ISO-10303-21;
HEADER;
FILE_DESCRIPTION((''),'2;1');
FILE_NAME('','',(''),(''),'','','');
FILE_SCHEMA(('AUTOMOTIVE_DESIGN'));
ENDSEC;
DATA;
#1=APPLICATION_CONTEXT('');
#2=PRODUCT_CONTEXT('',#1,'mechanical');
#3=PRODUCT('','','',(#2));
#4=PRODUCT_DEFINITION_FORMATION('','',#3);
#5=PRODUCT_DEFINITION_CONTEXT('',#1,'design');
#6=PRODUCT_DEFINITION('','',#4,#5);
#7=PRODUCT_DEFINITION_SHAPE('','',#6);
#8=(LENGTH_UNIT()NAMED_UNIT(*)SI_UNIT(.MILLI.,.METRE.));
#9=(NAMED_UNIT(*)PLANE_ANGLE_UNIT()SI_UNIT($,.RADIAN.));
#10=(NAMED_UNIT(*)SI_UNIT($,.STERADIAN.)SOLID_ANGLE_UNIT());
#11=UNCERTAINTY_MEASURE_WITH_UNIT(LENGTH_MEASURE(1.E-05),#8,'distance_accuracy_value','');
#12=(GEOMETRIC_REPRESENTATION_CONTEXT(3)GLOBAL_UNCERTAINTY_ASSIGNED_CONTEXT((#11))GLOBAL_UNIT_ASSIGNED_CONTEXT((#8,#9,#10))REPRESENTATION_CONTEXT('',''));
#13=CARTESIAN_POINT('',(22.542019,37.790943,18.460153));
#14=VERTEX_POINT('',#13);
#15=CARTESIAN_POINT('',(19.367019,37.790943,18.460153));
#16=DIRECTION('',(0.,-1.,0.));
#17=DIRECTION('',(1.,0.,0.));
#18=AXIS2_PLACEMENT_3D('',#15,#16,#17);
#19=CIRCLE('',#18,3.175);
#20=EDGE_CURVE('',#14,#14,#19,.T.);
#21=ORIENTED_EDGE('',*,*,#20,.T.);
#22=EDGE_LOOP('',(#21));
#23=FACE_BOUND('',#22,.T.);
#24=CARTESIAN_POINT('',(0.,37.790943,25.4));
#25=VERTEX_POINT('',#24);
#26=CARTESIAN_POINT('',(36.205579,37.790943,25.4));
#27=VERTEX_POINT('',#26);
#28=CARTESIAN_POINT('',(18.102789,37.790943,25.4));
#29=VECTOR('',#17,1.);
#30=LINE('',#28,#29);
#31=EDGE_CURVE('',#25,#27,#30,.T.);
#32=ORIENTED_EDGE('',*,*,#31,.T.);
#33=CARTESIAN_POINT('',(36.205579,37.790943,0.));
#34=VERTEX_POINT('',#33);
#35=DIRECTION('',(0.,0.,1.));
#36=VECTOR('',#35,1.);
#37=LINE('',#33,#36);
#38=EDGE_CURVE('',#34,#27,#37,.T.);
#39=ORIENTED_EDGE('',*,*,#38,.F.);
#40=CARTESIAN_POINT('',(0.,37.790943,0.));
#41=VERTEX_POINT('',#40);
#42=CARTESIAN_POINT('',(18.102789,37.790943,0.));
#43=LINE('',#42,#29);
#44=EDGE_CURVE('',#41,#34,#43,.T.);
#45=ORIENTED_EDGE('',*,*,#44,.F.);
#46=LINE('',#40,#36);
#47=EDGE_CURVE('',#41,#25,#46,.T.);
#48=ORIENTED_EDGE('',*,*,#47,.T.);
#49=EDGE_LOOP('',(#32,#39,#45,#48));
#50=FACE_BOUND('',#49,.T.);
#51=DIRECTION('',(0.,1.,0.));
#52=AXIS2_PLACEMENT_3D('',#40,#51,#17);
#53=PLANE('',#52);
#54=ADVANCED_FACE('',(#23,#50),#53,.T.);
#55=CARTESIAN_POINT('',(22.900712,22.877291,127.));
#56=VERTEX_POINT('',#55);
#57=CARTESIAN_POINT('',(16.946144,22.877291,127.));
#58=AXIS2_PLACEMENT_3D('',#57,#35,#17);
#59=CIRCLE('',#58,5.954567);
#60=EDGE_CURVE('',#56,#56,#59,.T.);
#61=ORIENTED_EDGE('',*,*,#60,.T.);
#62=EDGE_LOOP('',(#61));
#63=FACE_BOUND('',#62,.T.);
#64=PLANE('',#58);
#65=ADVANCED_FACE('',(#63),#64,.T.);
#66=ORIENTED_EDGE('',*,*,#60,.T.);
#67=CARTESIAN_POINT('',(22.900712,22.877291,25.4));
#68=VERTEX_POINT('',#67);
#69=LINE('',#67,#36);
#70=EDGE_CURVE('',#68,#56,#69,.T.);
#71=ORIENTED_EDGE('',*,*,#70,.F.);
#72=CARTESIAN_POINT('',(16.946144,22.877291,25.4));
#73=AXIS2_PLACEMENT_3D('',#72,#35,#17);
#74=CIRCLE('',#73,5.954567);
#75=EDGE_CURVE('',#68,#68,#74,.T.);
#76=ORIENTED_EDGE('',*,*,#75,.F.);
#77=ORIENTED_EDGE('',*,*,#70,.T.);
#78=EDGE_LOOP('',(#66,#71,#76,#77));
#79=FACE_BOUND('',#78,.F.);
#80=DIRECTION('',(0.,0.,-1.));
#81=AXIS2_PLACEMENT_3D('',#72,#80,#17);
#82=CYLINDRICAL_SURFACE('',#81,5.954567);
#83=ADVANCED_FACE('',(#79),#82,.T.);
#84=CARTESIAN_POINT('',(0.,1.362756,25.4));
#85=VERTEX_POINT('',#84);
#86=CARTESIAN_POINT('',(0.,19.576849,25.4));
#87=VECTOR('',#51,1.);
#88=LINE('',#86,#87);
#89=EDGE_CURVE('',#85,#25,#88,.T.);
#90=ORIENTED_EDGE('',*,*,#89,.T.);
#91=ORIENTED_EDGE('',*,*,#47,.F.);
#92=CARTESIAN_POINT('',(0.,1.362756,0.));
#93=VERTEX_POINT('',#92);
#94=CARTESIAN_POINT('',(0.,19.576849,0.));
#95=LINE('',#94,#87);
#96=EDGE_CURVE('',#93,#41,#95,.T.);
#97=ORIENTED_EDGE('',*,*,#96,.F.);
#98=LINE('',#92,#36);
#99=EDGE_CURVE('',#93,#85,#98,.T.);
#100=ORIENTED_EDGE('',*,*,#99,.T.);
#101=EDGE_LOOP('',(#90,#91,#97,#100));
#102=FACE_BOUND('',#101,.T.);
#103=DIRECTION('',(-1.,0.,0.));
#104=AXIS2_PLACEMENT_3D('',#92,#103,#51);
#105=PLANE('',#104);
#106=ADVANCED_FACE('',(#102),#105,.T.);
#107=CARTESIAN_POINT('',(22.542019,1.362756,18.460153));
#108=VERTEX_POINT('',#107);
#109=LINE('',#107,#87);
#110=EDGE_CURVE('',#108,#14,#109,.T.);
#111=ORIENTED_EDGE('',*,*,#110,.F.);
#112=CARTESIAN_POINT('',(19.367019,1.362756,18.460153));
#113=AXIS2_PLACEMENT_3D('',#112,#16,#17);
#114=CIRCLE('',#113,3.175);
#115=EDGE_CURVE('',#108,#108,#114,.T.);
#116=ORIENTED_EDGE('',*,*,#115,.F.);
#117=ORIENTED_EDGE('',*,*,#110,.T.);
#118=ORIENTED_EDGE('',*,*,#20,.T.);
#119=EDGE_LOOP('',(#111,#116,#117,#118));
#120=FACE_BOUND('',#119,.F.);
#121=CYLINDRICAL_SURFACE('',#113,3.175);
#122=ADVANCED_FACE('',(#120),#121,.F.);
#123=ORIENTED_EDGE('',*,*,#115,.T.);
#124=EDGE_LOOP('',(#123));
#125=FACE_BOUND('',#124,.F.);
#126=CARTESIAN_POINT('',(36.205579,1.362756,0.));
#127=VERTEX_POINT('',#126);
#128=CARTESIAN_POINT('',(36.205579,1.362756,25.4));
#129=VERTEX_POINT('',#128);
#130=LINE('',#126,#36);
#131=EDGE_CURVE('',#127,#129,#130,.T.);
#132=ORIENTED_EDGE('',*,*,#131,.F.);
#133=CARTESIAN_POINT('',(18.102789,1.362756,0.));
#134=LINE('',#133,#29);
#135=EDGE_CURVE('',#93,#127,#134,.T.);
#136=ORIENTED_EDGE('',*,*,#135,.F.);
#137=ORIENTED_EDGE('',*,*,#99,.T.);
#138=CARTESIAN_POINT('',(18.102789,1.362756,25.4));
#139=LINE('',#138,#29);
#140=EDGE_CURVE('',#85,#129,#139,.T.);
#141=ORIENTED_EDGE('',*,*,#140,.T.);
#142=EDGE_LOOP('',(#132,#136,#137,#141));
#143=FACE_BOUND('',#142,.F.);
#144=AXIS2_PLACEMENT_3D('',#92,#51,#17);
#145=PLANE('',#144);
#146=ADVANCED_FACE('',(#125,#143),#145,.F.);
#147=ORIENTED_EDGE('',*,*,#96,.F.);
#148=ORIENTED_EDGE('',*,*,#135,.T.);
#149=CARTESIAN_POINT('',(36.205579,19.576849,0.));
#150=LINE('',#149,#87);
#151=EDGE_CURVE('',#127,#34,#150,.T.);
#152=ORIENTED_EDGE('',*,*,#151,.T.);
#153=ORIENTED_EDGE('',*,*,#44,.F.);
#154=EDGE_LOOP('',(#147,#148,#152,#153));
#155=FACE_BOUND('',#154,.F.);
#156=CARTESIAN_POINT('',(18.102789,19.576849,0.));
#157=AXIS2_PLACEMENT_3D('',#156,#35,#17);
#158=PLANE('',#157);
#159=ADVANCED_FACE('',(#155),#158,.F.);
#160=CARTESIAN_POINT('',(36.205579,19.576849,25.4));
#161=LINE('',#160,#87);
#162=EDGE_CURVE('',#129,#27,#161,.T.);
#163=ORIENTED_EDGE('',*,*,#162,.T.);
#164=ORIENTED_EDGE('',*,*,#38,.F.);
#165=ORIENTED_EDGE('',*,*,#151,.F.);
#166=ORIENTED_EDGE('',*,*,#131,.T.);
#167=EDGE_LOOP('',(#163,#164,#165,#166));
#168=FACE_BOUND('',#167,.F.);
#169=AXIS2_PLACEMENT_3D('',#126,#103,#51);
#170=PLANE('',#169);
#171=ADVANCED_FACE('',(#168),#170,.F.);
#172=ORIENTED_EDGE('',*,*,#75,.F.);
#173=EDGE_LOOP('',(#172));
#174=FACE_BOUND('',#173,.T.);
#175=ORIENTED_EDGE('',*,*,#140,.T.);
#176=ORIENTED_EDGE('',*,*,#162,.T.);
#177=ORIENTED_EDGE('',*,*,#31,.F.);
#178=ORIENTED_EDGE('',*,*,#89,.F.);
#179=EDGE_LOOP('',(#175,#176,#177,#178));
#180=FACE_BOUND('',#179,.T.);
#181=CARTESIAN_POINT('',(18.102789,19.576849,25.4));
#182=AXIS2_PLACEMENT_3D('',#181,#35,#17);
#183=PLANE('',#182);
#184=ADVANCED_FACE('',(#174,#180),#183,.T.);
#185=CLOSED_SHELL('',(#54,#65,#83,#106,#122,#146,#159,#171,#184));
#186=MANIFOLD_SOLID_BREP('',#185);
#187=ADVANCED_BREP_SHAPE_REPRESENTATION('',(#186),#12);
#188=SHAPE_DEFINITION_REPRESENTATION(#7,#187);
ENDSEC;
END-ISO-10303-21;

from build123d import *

# Parameters (mm, degrees)
F0_W     = 36.2055785954
F0_H     = 36.4281870425
F1_DEPTH = 25.4
F2_R     = 5.9545672291
F3_DEPTH = 101.6
F4_R     = 3.175
F5_DEPTH = 36.4291870425


with BuildPart() as f1:
    # F0 (on Top) → F1 (new body)
    with BuildSketch(Plane.XY):
        with Locations((18.1027892977, 19.5768494159)):
            Rectangle(F0_W, F0_H)
    extrude(amount=F1_DEPTH)

    # F2 (on face) → F3 (join)
    with BuildSketch(Plane.XY.offset(25.4)):
        with Locations((16.946144402, 22.8772908449)):
            Circle(F2_R)
    extrude(amount=F3_DEPTH)

    # F4 (on face) → F5 (cut, through all)
    with BuildSketch(Plane.XZ.offset(-1.3627558947)):
        with Locations((19.3670187145, 18.4601526707)):
            Circle(F4_R)
    extrude(amount=-F5_DEPTH, mode=Mode.SUBTRACT)


solid = f1.part
